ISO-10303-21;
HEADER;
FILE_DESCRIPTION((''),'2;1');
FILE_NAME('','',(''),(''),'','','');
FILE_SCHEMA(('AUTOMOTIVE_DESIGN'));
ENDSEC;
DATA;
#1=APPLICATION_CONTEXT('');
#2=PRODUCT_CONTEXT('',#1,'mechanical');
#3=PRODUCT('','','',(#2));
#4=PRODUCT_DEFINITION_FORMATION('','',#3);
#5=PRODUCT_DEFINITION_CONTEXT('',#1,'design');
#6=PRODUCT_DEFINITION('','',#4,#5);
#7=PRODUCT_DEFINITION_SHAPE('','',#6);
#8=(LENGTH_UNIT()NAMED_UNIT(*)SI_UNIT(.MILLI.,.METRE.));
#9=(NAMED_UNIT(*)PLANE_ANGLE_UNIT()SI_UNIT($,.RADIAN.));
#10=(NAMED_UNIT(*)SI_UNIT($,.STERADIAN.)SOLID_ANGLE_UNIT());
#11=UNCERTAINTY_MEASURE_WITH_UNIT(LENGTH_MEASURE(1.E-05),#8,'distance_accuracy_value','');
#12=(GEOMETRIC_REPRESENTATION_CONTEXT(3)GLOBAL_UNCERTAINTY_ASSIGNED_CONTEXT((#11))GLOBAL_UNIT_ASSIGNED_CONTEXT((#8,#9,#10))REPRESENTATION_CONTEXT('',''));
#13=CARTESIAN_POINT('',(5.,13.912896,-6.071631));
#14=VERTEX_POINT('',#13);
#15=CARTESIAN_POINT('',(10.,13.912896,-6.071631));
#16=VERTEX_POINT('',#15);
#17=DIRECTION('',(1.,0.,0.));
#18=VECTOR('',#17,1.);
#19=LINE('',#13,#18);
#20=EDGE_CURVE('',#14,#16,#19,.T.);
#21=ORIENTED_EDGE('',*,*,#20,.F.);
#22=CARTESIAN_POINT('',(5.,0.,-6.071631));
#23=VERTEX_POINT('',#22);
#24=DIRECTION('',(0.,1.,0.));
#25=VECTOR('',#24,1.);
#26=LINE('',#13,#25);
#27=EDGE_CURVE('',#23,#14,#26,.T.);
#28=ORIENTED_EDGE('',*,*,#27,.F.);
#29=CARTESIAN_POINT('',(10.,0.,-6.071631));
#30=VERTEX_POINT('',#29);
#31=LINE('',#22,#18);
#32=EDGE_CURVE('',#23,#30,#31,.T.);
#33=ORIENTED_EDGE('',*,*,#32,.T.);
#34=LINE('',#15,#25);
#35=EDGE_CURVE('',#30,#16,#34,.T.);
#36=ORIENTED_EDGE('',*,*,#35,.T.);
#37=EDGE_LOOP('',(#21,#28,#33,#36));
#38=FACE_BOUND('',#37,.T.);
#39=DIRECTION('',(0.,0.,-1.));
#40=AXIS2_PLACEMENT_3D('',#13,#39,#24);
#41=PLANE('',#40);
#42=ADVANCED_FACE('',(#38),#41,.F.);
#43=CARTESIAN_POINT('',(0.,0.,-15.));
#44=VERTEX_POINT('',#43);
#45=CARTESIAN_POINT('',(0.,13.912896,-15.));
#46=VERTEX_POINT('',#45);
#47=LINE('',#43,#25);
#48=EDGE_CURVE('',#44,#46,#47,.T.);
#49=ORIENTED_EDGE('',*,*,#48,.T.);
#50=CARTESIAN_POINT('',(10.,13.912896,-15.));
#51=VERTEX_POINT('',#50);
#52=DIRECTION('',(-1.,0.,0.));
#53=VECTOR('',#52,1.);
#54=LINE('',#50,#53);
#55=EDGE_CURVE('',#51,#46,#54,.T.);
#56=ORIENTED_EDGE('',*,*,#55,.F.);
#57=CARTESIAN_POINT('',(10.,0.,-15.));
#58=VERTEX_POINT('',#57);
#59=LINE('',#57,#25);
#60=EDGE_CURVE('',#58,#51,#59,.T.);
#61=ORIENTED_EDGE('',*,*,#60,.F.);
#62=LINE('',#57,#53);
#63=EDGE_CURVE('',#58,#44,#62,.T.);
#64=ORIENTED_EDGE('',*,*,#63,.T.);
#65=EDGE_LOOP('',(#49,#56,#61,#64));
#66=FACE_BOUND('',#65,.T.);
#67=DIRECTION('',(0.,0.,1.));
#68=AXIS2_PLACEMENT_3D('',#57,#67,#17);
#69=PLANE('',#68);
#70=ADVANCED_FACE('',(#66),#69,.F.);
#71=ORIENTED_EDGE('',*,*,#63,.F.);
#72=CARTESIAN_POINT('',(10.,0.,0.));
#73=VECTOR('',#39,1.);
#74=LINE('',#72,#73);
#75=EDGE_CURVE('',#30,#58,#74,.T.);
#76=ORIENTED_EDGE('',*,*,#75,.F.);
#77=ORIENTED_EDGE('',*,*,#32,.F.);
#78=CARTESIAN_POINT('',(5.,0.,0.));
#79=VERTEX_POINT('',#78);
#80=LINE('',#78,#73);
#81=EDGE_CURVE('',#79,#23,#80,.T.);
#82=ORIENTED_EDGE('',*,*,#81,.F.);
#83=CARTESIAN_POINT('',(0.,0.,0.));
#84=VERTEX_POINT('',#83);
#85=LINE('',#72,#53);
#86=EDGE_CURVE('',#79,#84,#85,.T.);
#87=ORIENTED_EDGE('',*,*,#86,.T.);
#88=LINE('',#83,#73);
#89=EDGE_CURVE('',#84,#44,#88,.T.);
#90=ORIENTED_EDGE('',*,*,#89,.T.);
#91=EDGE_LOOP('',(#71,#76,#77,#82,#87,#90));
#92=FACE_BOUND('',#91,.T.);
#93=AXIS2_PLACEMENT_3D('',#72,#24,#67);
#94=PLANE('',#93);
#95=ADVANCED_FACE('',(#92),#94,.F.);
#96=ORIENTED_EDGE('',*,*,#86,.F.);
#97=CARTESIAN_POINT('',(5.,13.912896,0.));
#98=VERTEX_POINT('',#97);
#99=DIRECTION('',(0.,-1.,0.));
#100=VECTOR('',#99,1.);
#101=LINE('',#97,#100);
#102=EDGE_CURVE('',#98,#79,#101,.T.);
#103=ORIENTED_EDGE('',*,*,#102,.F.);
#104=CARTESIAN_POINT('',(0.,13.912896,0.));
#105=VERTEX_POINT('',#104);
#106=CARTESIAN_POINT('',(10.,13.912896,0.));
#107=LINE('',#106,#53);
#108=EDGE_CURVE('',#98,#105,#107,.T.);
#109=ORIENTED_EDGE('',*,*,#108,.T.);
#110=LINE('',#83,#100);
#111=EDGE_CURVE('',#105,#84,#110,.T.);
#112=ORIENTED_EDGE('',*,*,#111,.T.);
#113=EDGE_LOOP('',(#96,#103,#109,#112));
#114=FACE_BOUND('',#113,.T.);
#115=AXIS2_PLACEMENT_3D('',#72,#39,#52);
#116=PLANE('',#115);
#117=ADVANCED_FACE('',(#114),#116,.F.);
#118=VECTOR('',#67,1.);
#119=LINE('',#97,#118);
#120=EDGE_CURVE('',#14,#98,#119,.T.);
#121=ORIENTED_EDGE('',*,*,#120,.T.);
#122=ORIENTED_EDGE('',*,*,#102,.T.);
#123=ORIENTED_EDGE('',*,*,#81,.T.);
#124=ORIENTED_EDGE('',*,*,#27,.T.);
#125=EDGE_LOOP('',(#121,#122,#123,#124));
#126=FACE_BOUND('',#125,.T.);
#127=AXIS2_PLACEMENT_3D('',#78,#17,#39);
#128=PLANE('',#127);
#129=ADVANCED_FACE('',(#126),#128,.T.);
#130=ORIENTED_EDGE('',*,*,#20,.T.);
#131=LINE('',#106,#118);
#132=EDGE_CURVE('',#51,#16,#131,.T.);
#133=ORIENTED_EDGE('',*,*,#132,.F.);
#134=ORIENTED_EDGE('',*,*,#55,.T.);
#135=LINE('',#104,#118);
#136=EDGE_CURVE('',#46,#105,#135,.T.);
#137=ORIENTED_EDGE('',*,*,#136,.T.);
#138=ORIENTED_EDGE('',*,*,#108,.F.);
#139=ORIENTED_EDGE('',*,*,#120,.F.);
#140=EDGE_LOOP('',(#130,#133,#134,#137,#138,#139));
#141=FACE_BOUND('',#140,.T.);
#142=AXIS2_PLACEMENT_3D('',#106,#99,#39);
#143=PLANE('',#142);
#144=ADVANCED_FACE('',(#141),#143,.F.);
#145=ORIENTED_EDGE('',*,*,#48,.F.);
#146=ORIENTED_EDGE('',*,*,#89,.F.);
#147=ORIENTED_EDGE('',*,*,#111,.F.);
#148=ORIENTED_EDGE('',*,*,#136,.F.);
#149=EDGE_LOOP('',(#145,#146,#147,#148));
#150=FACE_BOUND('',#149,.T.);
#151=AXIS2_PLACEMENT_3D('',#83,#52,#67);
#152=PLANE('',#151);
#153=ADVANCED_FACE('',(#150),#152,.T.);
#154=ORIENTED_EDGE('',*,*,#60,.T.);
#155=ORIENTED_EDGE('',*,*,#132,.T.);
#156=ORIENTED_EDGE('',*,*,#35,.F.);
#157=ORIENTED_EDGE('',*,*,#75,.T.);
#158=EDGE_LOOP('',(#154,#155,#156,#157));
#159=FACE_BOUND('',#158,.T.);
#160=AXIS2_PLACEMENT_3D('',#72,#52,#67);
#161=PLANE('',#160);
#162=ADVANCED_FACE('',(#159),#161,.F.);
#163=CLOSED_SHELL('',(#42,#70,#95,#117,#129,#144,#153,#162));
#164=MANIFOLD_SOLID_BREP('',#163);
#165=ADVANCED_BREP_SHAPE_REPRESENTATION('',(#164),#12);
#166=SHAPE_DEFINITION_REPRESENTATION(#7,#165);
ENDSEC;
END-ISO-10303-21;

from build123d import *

# Parameters (mm, degrees)
SKETCH1_W           = 15
SKETCH1_H           = 13.912895938
BOSS_EXTRUDE1_DEPTH = 10
SKETCH2_W           = 6.071631059
SKETCH2_H           = 13.912895938
CUT_EXTRUDE1_DEPTH  = 5


with BuildPart() as part:
    # Sketch1 → Boss-Extrude1 (new body)
    with BuildSketch(Plane(origin=(0, 0, 0), x_dir=(0, 0, -1), z_dir=(1, 0, 0))):
        with Locations((7.5, 6.956447969)):
            Rectangle(SKETCH1_W, SKETCH1_H)
    extrude(amount=BOSS_EXTRUDE1_DEPTH)

    # Sketch2 → Cut-Extrude1 (cut)
    with BuildSketch(Plane(origin=(10, 0, 0), x_dir=(0, 0, -1), z_dir=(1, 0, 0))):
        with Locations((3.03581553, 6.956447969)):
            Rectangle(SKETCH2_W, SKETCH2_H)
    extrude(amount=-CUT_EXTRUDE1_DEPTH, mode=Mode.SUBTRACT)


solid = part.part
